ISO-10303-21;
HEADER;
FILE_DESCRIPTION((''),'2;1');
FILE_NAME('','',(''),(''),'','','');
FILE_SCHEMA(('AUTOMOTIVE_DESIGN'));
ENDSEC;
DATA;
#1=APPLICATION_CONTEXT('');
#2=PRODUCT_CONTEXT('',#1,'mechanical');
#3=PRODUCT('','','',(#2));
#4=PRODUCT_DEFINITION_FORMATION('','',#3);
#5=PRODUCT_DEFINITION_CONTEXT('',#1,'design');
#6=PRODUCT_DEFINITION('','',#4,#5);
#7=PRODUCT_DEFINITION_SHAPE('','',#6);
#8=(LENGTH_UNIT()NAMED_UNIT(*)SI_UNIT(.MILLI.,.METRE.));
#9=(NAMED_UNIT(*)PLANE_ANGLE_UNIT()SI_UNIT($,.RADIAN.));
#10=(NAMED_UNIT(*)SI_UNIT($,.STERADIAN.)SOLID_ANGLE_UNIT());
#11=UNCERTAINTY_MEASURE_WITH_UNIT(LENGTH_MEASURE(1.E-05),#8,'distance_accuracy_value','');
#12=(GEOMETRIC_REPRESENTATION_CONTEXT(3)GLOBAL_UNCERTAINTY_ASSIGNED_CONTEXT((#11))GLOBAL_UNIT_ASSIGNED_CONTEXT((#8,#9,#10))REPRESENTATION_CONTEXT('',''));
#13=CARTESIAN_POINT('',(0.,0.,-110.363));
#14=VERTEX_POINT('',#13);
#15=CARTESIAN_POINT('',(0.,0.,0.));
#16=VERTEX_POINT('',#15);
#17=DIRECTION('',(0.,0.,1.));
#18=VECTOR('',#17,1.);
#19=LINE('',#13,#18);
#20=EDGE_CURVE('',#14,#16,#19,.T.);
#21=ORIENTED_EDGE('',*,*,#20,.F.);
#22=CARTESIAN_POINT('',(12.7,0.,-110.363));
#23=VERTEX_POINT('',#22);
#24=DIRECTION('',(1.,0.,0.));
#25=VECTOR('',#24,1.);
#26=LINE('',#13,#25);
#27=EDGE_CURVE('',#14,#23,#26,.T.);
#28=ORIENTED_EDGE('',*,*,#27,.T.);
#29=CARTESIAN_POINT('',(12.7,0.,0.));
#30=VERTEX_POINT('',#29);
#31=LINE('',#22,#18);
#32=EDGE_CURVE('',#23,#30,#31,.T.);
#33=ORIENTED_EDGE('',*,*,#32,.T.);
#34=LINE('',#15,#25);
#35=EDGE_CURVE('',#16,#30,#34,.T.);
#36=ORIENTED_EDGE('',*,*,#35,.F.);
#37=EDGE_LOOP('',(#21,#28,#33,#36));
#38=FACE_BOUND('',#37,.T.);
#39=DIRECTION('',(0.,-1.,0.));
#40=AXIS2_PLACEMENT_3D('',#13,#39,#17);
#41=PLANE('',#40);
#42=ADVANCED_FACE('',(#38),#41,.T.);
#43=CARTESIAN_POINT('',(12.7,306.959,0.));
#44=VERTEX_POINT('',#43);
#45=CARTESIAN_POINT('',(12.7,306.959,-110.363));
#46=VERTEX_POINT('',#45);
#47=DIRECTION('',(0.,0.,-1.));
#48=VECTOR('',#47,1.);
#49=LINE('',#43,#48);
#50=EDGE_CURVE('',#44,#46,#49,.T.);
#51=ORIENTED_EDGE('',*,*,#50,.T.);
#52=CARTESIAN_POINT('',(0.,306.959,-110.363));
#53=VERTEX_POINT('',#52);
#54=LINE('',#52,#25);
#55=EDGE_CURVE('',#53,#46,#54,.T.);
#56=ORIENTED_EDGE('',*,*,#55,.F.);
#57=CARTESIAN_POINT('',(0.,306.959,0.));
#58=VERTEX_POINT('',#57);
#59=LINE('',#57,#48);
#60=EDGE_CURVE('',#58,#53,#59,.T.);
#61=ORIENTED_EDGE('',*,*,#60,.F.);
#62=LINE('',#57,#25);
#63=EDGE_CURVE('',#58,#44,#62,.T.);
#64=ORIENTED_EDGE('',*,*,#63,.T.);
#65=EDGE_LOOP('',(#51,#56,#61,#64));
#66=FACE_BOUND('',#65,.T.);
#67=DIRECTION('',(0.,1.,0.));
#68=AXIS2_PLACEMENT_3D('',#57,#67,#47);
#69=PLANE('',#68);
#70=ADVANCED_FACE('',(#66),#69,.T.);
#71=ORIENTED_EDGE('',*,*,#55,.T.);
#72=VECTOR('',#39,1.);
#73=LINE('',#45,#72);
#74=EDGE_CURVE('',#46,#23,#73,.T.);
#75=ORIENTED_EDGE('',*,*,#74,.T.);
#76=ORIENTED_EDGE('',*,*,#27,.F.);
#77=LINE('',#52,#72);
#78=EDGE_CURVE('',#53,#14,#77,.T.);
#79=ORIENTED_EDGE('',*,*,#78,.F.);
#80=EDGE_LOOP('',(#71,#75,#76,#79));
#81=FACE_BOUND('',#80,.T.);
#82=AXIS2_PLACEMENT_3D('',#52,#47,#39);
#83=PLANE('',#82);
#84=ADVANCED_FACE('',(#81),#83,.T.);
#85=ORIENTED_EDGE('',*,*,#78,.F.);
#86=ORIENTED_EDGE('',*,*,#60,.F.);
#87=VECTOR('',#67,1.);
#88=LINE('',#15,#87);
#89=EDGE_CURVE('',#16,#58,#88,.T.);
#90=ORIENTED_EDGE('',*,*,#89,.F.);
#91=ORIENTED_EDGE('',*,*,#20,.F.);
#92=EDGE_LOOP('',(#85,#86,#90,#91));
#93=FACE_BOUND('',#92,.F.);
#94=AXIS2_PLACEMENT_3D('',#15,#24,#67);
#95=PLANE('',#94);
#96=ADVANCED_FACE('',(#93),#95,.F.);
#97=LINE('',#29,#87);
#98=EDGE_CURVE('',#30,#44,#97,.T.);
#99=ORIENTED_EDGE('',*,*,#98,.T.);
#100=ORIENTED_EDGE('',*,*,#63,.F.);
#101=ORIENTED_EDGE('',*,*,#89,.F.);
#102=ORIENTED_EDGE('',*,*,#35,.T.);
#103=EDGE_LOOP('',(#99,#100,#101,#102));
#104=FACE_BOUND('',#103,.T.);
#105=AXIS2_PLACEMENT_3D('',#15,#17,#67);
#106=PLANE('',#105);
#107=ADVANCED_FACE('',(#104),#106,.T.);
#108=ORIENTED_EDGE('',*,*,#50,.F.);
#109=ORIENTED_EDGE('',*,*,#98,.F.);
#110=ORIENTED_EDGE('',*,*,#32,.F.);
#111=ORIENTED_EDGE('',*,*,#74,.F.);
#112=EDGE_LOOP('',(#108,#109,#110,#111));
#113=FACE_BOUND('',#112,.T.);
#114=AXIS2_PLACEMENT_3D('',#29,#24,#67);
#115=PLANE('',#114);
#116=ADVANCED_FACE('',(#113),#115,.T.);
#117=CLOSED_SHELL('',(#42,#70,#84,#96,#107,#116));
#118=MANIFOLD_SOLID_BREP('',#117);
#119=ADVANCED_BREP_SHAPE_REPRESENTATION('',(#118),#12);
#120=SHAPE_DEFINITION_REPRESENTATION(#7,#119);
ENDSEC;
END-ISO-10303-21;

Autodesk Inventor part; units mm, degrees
ref_plane "YZ Plane" through (0, 0, 0) normal (1, 0, 0) x (0, 1, 0)
ref_plane "XZ Plane" through (0, 0, 0) normal (0, 1, 0) x (-1, 0, 0)
ref_plane "XY Plane" through (0, 0, 0) normal (0, 0, 1) x (1, 0, 0)
sketch "Sketch1" plane through (0, 0, 0) normal (1, 0, 0) x (0, 1, 0)
  line L0 (0, 0) -> (306.959, 0)
  line L1 (306.959, 0) -> (306.959, -110.363)
  line L2 (306.959, -110.363) -> (0, -110.363)
  line L3 (0, -110.363) -> (0, 0)
  dimension "d0" = 306.959
  dimension "d1" = 110.363
extrude "Extrusion1" add sketch "Sketch1" along normal blind 12.7
properties part number "UpProto"
